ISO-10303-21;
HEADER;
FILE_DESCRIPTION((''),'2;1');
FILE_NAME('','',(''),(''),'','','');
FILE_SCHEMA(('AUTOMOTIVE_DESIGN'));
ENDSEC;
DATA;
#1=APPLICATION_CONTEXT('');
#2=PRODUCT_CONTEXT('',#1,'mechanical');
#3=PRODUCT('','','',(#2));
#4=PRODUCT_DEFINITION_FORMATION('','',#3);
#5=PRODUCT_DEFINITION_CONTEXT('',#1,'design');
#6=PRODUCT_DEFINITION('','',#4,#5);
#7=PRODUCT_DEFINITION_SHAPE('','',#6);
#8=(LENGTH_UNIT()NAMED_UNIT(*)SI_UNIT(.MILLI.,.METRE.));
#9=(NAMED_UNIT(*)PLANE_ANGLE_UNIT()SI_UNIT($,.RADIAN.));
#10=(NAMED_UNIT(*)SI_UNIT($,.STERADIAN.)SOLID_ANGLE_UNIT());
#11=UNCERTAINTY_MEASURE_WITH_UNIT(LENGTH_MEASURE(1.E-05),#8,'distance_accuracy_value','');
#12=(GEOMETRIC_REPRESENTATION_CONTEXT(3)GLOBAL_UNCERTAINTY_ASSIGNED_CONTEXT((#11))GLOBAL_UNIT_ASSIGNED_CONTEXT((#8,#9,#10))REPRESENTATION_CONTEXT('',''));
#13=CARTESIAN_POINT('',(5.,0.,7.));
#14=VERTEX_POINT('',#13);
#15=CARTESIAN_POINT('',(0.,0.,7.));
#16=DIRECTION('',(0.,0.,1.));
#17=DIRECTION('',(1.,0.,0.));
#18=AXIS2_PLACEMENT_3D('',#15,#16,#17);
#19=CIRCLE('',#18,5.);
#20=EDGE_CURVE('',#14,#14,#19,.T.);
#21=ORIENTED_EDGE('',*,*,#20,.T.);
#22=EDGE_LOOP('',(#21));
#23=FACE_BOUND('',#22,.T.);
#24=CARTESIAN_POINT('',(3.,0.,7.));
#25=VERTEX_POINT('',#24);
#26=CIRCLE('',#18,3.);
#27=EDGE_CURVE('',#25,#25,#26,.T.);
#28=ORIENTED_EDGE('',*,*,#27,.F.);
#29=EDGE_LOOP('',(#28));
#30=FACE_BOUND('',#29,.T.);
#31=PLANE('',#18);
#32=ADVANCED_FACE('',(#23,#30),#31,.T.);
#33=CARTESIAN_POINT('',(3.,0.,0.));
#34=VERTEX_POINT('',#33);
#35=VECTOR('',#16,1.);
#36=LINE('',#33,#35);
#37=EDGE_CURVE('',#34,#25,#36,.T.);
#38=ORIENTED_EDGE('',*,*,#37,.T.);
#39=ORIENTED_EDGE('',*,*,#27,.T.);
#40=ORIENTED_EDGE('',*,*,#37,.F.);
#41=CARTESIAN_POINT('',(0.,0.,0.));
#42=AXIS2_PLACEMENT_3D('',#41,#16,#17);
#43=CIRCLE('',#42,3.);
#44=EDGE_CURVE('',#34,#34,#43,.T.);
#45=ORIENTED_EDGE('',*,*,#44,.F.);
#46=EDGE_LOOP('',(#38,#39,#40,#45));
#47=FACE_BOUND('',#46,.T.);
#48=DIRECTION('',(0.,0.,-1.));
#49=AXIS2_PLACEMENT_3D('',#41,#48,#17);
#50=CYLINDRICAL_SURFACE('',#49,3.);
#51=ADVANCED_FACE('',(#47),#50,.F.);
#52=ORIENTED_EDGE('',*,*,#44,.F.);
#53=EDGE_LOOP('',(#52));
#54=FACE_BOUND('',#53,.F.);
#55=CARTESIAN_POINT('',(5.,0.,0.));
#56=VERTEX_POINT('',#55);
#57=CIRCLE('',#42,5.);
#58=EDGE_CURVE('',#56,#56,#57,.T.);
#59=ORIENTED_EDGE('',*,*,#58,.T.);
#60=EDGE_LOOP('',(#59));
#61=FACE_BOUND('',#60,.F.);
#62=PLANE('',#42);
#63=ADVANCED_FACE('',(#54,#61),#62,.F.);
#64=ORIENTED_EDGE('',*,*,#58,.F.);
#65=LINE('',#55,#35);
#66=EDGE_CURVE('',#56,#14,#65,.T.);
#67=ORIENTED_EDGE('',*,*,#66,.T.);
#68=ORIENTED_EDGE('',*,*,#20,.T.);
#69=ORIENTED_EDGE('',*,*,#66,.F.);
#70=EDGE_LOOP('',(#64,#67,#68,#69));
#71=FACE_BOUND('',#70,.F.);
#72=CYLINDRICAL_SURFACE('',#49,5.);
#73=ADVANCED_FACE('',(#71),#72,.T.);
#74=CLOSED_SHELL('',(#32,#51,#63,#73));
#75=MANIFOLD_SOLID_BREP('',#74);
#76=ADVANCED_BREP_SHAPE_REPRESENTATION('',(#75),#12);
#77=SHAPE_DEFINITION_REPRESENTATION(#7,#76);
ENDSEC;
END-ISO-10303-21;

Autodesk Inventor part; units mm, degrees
ref_plane "YZ Plane" through (0, 0, 0) normal (1, 0, 0) x (0, 1, 0)
ref_plane "XZ Plane" through (0, 0, 0) normal (0, 1, 0) x (-1, 0, 0)
ref_plane "XY Plane" through (0, 0, 0) normal (0, 0, 1) x (1, 0, 0)
sketch "Szkic1" plane through (0, 0, 0) normal (0, 0, 1) x (1, 0, 0)
  circle A0 centre (0, 0) radius 3
  circle A1 centre (0, 0) radius 5
  dimension "d0" = 6
  dimension "d1" = 10
extrude "Wyciągnięcie proste1" add sketch "Szkic1" along normal blind 7
properties part number "tuleja_M6_M10_7"
